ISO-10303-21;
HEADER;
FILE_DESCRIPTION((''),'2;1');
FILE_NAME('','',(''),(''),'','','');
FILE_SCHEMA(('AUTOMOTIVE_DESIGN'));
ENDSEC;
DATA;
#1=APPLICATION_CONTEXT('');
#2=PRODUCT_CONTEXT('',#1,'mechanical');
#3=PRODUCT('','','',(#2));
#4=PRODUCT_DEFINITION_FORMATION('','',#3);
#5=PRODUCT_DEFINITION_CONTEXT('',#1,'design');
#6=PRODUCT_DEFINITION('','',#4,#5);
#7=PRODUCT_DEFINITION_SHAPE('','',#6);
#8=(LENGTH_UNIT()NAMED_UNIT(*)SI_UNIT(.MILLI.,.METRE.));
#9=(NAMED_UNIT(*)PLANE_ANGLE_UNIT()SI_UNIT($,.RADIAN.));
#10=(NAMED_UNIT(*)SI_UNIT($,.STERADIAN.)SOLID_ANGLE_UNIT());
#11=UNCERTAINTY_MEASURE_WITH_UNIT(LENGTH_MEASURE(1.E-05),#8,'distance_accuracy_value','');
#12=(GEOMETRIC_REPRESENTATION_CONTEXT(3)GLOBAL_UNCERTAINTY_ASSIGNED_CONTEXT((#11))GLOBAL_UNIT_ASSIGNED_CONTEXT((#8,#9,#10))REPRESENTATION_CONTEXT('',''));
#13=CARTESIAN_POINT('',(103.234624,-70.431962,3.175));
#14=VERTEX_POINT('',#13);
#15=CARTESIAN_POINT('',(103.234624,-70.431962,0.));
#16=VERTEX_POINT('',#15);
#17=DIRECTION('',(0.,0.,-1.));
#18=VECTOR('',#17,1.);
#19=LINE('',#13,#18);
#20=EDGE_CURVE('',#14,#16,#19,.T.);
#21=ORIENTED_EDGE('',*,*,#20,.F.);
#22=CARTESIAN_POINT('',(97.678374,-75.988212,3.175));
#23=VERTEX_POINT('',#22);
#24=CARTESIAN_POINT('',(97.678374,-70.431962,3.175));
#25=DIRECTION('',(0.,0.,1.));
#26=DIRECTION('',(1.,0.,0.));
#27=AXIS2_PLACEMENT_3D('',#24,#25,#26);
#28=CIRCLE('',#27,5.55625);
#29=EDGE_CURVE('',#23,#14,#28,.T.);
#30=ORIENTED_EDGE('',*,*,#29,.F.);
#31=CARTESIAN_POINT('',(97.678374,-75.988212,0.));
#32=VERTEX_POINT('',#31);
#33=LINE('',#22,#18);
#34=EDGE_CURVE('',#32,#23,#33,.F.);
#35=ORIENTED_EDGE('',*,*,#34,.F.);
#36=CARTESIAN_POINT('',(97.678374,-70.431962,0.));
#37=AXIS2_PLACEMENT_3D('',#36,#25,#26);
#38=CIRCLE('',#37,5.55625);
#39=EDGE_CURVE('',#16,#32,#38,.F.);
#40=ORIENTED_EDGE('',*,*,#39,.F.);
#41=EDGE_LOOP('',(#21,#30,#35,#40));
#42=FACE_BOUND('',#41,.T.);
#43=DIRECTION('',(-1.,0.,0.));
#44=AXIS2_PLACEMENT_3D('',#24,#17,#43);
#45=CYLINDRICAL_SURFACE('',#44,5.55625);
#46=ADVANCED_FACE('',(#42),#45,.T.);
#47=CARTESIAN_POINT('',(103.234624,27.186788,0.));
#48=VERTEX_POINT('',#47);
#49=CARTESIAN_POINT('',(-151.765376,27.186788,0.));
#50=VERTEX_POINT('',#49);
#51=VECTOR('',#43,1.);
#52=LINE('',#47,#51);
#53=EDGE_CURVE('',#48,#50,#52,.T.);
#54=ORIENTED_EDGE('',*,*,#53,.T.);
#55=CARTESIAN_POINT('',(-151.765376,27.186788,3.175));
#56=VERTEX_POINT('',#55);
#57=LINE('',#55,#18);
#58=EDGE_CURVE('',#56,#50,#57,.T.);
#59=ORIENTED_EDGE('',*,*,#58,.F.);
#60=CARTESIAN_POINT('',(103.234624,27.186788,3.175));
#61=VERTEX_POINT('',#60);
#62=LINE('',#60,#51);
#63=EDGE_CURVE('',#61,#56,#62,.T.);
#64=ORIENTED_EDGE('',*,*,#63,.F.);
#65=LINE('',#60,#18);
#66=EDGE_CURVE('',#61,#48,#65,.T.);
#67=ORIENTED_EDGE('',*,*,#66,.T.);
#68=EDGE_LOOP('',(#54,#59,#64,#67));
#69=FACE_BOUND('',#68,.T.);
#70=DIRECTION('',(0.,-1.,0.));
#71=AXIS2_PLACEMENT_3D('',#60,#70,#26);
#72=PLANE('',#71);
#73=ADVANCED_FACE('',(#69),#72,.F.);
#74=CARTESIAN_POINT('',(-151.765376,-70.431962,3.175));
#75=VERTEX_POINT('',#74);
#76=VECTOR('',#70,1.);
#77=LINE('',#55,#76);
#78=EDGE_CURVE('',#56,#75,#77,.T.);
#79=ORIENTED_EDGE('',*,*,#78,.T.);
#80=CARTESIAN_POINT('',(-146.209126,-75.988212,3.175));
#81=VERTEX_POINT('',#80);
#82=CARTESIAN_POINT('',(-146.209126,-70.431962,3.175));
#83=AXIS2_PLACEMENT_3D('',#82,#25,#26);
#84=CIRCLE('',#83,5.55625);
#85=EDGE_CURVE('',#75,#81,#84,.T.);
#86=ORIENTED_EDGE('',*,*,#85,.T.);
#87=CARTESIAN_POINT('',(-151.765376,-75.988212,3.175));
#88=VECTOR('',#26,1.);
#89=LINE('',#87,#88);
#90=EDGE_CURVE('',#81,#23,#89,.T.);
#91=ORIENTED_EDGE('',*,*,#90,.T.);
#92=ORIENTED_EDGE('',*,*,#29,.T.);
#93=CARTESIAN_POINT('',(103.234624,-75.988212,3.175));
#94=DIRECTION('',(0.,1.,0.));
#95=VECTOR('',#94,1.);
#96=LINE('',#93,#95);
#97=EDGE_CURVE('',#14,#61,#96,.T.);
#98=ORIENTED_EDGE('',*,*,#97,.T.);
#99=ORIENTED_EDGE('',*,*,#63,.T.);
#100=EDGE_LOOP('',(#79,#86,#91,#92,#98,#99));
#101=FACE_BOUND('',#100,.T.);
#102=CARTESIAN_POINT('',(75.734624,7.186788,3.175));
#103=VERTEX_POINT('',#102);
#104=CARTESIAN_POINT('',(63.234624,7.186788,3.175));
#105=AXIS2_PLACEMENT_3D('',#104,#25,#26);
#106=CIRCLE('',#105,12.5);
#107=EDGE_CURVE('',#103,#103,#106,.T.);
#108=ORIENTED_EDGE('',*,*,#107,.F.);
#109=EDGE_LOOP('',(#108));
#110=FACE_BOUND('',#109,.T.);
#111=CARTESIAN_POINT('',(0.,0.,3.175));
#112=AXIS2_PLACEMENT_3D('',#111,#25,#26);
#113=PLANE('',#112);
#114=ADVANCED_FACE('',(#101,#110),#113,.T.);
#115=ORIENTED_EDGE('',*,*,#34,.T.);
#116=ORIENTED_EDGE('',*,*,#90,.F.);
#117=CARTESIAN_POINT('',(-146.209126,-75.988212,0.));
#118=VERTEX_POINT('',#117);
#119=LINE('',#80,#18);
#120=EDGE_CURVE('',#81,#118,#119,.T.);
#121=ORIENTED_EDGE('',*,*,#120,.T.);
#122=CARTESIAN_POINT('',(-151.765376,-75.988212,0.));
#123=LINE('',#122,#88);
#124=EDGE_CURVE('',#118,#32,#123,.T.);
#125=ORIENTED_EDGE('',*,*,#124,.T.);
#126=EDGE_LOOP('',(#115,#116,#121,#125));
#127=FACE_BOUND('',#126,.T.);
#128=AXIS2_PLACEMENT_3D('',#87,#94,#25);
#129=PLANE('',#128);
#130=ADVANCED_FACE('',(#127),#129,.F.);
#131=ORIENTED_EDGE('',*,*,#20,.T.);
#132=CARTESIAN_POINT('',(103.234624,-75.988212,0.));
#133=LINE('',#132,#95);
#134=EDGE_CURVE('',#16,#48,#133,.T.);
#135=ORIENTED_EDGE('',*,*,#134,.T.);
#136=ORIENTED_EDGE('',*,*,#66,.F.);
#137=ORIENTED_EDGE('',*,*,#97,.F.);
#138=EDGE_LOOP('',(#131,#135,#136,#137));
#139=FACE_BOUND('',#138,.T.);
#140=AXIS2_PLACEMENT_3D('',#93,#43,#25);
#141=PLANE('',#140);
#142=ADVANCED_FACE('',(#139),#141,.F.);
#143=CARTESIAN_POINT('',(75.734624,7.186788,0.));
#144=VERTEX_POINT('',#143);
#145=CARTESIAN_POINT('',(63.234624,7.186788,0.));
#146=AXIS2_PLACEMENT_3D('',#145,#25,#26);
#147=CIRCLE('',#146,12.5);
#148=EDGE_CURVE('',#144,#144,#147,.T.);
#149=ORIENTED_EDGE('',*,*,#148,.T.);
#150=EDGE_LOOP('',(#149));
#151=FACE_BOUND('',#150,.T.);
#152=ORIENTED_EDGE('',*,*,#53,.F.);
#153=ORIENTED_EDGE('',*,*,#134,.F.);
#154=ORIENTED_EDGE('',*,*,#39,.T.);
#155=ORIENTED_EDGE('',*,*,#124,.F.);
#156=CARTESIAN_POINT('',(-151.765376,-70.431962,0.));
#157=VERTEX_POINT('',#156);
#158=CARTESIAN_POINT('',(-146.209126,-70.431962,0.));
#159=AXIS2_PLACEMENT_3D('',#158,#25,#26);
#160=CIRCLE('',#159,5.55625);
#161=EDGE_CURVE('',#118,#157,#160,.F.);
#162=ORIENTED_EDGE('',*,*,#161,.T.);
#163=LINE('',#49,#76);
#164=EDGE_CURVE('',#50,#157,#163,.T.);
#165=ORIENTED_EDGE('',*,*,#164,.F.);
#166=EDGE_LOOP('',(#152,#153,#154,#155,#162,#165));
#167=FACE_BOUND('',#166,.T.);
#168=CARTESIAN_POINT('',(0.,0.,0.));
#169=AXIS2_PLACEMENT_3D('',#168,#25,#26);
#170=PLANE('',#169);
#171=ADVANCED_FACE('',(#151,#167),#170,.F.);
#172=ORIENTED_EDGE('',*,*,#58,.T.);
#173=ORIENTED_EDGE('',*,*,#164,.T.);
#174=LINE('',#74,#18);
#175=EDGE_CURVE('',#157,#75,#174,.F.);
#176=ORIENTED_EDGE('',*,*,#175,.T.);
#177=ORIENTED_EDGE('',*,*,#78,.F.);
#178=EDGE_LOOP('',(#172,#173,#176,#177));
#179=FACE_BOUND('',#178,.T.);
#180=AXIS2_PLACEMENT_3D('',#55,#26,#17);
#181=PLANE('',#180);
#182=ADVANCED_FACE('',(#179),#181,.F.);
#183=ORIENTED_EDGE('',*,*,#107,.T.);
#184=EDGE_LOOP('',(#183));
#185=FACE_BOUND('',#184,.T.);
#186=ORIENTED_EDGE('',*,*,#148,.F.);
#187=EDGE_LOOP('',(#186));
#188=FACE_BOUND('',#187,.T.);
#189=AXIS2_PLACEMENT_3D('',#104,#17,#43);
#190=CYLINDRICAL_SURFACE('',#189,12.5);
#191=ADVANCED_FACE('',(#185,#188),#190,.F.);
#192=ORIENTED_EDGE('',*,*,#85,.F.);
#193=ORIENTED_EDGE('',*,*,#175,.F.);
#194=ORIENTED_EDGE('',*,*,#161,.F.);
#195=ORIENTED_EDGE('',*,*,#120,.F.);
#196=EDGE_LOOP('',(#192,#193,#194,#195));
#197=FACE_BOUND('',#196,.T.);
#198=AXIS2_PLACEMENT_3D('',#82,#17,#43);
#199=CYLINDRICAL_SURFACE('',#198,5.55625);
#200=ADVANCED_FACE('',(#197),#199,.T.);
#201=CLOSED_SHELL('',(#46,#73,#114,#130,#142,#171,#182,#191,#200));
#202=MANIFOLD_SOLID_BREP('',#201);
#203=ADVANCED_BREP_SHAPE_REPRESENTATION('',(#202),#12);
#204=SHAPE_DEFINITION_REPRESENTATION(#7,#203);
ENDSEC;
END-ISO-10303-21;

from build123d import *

# Parameters (mm, degrees)
SKETCH1_W           = 255
SKETCH1_H           = 103.175
SKETCH1_R           = 12.5
BOSS_EXTRUDE1_DEPTH = 3.175
FILLET1_R           = 5.55625


with BuildPart() as part:
    # Sketch1 → Boss-Extrude1 (new body)
    with BuildSketch(Plane.XY):
        with Locations((-24.265375854, -24.400711845)):
            Rectangle(SKETCH1_W, SKETCH1_H)
        with Locations((63.234624146, 7.186788155)):
            Circle(SKETCH1_R, mode=Mode.SUBTRACT)
    extrude(amount=BOSS_EXTRUDE1_DEPTH)

    # Fillet1
    fillet1_edges = [part.edges().sort_by_distance(p)[0] for p in [
        (103.234624146, -75.988211845, 1.5875),
        (-151.765375854, -75.988211845, 1.5875),
    ]]
    fillet(fillet1_edges, radius=FILLET1_R)


solid = part.part
